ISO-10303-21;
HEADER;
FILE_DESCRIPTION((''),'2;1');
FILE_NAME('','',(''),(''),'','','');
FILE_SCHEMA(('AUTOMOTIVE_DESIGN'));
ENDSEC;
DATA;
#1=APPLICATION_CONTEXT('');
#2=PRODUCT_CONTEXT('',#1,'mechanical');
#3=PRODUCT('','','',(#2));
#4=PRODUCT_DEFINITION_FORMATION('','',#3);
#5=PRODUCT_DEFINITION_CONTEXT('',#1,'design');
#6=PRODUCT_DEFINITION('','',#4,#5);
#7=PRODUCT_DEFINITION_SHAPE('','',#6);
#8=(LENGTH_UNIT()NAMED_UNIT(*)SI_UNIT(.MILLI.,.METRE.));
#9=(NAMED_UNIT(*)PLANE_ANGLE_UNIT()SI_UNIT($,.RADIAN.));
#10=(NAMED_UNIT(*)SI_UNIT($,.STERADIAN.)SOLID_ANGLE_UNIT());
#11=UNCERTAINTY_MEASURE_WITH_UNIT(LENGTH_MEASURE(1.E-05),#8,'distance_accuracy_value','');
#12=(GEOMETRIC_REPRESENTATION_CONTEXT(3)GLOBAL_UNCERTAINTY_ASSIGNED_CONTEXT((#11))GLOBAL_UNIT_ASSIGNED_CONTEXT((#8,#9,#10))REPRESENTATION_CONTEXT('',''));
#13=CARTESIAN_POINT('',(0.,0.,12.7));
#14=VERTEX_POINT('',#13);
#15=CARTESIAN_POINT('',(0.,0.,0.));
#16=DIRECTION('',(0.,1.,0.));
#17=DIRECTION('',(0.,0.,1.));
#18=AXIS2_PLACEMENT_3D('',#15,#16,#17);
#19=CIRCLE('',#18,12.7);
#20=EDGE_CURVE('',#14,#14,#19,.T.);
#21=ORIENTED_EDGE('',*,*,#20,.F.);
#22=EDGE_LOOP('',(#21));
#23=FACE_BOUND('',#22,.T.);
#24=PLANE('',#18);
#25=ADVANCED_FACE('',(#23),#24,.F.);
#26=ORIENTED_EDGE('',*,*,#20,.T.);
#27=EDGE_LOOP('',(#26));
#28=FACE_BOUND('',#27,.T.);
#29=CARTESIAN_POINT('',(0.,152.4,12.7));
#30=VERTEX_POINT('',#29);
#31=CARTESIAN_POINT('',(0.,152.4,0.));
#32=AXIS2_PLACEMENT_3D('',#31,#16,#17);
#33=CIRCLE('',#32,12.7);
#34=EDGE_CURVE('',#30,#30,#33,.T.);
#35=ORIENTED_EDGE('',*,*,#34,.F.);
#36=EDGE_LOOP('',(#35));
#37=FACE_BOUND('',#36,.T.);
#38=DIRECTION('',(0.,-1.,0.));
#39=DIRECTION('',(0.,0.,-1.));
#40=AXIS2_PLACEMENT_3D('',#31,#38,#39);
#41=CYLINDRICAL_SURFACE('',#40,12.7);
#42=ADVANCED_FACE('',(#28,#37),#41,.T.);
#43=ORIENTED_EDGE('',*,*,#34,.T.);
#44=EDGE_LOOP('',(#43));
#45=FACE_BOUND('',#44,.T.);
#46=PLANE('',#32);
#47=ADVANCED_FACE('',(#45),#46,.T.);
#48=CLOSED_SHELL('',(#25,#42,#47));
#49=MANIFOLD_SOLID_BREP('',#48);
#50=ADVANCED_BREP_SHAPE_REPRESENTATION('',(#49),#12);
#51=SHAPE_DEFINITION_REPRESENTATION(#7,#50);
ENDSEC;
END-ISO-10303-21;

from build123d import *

# Parameters (mm, degrees)
SKETCH1_R           = 12.7
BOSS_EXTRUDE1_DEPTH = 152.4


with BuildPart() as part:
    # Sketch1 → Boss-Extrude1 (new body)
    with BuildSketch(Plane(origin=(0, 0, 0), x_dir=(1, 0, 0), z_dir=(0, 1, 0))):
        Circle(SKETCH1_R)
    extrude(amount=BOSS_EXTRUDE1_DEPTH)


solid = part.part
